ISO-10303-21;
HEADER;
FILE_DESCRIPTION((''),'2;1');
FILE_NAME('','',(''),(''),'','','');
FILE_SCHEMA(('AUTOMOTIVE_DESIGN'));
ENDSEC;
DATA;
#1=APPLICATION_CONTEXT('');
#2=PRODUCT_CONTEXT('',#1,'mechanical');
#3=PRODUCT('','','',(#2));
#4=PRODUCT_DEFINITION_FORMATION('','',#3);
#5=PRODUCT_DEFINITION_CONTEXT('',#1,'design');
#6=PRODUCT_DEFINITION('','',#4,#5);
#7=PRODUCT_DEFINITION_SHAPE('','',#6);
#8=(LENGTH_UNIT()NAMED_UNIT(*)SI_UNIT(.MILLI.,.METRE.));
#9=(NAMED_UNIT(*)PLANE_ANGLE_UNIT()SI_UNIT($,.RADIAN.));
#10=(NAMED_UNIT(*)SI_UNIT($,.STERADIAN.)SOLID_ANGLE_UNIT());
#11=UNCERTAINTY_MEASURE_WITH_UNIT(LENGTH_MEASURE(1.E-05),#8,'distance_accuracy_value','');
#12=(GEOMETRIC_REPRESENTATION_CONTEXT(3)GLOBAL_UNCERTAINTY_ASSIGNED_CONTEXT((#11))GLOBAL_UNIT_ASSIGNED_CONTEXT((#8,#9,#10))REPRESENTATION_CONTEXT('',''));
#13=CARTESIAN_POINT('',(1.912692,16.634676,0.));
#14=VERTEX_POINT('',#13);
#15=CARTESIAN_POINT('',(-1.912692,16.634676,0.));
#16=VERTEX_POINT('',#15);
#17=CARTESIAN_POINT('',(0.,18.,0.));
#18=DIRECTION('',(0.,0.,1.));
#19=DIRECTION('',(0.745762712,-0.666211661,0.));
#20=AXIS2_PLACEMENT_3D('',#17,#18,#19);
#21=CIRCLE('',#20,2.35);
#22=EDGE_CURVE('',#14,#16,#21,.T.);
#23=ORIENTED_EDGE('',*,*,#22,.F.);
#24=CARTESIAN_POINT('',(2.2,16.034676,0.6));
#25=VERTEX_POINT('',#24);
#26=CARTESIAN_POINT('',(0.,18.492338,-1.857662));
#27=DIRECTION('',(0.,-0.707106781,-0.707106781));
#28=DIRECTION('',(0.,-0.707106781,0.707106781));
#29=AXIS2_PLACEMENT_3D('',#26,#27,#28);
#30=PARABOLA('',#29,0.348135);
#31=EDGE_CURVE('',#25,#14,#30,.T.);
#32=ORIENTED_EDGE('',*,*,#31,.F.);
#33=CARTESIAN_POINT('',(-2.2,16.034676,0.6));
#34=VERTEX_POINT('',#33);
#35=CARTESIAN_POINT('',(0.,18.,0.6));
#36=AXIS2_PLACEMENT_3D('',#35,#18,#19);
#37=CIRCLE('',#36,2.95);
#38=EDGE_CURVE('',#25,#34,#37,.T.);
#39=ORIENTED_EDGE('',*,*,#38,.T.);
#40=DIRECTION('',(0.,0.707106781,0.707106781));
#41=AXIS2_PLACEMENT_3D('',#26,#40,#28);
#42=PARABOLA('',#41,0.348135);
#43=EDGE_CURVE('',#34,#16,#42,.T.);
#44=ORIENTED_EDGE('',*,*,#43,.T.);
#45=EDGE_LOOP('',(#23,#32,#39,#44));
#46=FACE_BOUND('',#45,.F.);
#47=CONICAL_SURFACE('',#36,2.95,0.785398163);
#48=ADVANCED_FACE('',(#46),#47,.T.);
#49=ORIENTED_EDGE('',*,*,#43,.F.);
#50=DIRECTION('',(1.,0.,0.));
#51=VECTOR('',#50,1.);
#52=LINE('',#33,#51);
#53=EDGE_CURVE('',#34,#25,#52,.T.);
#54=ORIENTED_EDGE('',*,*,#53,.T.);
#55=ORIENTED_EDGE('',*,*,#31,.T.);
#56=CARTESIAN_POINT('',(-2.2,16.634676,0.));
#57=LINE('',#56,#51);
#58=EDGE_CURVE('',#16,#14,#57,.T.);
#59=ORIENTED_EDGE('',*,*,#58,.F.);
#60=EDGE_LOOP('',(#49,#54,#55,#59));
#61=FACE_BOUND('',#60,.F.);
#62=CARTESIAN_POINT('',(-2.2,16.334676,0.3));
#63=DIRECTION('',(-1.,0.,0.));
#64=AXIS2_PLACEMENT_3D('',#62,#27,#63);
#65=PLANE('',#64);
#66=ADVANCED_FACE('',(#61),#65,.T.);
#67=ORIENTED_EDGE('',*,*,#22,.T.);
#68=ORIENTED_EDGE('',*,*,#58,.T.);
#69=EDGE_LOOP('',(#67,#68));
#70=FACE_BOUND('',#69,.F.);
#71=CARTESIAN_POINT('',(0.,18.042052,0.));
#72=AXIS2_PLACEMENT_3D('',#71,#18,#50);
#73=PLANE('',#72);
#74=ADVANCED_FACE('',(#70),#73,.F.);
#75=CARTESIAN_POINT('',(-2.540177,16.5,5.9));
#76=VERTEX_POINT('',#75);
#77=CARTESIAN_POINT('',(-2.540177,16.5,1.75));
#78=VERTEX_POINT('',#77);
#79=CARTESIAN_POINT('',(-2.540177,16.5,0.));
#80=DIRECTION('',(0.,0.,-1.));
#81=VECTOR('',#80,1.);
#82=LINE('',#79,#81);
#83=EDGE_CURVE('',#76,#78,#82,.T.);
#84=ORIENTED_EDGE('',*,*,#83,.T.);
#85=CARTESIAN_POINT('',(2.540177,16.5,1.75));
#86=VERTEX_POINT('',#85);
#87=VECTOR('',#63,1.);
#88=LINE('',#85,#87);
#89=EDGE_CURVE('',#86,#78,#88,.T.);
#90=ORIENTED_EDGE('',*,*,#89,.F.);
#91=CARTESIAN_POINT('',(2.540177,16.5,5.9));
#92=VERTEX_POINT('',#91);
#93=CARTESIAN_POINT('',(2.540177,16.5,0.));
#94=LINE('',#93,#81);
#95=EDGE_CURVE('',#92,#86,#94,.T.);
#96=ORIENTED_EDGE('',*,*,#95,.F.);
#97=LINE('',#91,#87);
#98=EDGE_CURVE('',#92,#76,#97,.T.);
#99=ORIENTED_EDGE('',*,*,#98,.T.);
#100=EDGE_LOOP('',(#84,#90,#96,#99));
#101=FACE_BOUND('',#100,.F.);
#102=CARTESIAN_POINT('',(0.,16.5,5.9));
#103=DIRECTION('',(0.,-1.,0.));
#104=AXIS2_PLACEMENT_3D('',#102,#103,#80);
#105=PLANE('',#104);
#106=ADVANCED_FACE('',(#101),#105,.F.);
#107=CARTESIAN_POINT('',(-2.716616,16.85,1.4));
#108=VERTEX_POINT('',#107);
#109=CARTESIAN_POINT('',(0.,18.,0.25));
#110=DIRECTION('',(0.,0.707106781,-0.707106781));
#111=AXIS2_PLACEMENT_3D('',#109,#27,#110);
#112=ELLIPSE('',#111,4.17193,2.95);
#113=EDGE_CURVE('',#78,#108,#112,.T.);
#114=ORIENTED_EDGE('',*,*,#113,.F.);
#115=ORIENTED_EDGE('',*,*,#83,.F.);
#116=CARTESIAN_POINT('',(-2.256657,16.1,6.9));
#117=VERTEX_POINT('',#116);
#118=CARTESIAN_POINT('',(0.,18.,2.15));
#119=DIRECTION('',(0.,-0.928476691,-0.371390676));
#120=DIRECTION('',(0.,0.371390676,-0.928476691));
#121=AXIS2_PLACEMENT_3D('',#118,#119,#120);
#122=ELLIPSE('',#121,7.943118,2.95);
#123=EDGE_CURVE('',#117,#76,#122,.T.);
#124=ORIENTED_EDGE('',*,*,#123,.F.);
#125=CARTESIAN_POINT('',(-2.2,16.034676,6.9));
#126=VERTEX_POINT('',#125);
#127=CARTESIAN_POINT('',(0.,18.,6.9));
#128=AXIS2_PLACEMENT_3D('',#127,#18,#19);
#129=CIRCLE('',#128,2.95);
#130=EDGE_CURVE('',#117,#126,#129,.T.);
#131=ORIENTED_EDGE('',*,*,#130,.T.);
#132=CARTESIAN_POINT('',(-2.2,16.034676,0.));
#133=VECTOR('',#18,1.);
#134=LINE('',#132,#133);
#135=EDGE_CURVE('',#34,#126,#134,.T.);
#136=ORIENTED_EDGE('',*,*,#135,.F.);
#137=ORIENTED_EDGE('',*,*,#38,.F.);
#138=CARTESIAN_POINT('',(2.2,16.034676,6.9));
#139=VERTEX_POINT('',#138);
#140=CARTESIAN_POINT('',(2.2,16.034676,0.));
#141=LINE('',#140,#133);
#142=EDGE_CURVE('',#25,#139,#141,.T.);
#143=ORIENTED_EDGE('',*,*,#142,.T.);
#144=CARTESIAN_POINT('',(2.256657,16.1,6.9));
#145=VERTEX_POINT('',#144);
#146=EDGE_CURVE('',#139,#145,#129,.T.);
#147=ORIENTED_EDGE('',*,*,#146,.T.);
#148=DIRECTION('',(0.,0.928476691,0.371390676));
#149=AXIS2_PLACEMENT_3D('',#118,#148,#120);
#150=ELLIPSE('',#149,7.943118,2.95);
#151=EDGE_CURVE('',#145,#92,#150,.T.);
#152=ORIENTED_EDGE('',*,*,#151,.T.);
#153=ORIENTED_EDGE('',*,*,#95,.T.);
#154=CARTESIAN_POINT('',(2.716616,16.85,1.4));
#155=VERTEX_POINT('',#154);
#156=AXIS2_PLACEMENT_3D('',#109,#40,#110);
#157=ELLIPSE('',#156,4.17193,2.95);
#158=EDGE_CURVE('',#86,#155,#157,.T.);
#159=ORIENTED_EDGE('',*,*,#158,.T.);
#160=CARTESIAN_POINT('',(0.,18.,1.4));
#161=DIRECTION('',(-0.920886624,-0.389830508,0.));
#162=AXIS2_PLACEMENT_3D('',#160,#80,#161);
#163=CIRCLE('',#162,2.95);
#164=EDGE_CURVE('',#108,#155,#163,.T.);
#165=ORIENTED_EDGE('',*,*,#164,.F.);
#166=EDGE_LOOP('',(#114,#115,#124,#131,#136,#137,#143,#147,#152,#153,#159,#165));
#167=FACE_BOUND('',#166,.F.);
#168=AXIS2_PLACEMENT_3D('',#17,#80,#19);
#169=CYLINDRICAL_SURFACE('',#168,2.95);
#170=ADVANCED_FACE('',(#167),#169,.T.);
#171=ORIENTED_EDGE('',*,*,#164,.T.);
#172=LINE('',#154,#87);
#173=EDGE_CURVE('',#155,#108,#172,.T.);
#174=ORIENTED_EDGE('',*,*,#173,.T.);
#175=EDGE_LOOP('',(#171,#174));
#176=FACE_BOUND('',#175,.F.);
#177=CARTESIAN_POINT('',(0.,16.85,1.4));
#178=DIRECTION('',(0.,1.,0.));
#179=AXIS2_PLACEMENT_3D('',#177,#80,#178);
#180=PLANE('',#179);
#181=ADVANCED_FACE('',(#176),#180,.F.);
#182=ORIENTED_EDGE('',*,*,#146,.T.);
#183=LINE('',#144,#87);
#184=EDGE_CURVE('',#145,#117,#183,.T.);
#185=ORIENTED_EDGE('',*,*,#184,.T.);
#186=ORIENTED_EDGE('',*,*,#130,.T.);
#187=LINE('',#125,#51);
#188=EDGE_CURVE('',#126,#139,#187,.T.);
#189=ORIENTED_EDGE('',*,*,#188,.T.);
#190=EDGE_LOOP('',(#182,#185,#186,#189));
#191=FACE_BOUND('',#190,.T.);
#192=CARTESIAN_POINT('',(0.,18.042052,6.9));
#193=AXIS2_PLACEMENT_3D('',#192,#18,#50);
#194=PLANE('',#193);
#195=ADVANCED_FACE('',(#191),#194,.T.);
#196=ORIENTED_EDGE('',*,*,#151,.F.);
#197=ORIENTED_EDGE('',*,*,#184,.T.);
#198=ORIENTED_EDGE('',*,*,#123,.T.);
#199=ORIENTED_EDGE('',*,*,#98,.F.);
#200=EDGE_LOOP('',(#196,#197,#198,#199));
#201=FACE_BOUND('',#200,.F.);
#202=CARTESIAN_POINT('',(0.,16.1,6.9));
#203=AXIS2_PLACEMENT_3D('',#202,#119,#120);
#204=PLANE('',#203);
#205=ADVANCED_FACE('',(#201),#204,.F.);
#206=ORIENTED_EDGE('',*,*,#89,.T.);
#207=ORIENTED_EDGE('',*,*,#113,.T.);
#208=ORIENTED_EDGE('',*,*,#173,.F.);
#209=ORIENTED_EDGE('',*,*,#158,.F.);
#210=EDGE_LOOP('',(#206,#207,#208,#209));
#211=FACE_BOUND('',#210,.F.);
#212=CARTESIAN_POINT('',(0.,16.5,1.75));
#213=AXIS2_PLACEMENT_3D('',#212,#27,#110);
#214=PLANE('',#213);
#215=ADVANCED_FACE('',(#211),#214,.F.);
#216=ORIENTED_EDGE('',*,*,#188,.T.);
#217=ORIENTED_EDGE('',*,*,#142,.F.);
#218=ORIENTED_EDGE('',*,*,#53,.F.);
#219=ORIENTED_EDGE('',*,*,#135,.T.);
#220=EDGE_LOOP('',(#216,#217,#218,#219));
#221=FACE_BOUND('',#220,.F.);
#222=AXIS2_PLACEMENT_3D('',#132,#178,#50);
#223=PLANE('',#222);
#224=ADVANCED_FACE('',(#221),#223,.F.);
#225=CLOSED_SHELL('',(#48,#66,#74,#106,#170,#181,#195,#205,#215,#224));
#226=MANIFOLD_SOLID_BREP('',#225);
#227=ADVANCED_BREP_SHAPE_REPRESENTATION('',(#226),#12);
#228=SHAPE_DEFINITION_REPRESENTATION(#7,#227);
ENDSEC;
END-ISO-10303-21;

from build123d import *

# Parameters (mm, degrees)
PAD007_DEPTH         = 6.9
POCKET005_DEPTH      = 2.951
POCKET005_DEPTH_BACK = 2.951
CHAMFER008_SIZE      = 0.6


with BuildPart() as part:
    # Sketch018 → Pad007 (new body)
    with BuildSketch(Plane.XY):
        with BuildLine():
            ThreePointArc((2.2, -1.9653244007), (0, 2.95), (-2.2, -1.9653244007))
            Line((-2.2, -1.9653244007), (2.2, -1.9653244007))
        make_face()
    extrude(amount=PAD007_DEPTH)

    # Sketch019 → Pocket005 (cut, two sides)
    with BuildSketch(Plane.YZ) as pocket005_sk:
        Polygon((-1.9, 6.9), (-1.5, 5.9), (-1.5, 1.75), (-1.15, 1.4), (5, 1.4), (5, 6.9), align=None)
    extrude(amount=-POCKET005_DEPTH, mode=Mode.SUBTRACT)
    extrude(pocket005_sk.sketch, amount=POCKET005_DEPTH_BACK, mode=Mode.SUBTRACT)

    # Chamfer008
    chamfer008_edges = [part.edges().sort_by_distance(p)[0] for p in [
        (0, 2.95, 0),
        (0, -1.965324, 0),
    ]]
    chamfer(chamfer008_edges, length=CHAMFER008_SIZE)


with BuildPart() as part_1:
    # Body053 placement: moved
    add(part.part.moved(Location((0, 18, 0))))


solid = part_1.part
